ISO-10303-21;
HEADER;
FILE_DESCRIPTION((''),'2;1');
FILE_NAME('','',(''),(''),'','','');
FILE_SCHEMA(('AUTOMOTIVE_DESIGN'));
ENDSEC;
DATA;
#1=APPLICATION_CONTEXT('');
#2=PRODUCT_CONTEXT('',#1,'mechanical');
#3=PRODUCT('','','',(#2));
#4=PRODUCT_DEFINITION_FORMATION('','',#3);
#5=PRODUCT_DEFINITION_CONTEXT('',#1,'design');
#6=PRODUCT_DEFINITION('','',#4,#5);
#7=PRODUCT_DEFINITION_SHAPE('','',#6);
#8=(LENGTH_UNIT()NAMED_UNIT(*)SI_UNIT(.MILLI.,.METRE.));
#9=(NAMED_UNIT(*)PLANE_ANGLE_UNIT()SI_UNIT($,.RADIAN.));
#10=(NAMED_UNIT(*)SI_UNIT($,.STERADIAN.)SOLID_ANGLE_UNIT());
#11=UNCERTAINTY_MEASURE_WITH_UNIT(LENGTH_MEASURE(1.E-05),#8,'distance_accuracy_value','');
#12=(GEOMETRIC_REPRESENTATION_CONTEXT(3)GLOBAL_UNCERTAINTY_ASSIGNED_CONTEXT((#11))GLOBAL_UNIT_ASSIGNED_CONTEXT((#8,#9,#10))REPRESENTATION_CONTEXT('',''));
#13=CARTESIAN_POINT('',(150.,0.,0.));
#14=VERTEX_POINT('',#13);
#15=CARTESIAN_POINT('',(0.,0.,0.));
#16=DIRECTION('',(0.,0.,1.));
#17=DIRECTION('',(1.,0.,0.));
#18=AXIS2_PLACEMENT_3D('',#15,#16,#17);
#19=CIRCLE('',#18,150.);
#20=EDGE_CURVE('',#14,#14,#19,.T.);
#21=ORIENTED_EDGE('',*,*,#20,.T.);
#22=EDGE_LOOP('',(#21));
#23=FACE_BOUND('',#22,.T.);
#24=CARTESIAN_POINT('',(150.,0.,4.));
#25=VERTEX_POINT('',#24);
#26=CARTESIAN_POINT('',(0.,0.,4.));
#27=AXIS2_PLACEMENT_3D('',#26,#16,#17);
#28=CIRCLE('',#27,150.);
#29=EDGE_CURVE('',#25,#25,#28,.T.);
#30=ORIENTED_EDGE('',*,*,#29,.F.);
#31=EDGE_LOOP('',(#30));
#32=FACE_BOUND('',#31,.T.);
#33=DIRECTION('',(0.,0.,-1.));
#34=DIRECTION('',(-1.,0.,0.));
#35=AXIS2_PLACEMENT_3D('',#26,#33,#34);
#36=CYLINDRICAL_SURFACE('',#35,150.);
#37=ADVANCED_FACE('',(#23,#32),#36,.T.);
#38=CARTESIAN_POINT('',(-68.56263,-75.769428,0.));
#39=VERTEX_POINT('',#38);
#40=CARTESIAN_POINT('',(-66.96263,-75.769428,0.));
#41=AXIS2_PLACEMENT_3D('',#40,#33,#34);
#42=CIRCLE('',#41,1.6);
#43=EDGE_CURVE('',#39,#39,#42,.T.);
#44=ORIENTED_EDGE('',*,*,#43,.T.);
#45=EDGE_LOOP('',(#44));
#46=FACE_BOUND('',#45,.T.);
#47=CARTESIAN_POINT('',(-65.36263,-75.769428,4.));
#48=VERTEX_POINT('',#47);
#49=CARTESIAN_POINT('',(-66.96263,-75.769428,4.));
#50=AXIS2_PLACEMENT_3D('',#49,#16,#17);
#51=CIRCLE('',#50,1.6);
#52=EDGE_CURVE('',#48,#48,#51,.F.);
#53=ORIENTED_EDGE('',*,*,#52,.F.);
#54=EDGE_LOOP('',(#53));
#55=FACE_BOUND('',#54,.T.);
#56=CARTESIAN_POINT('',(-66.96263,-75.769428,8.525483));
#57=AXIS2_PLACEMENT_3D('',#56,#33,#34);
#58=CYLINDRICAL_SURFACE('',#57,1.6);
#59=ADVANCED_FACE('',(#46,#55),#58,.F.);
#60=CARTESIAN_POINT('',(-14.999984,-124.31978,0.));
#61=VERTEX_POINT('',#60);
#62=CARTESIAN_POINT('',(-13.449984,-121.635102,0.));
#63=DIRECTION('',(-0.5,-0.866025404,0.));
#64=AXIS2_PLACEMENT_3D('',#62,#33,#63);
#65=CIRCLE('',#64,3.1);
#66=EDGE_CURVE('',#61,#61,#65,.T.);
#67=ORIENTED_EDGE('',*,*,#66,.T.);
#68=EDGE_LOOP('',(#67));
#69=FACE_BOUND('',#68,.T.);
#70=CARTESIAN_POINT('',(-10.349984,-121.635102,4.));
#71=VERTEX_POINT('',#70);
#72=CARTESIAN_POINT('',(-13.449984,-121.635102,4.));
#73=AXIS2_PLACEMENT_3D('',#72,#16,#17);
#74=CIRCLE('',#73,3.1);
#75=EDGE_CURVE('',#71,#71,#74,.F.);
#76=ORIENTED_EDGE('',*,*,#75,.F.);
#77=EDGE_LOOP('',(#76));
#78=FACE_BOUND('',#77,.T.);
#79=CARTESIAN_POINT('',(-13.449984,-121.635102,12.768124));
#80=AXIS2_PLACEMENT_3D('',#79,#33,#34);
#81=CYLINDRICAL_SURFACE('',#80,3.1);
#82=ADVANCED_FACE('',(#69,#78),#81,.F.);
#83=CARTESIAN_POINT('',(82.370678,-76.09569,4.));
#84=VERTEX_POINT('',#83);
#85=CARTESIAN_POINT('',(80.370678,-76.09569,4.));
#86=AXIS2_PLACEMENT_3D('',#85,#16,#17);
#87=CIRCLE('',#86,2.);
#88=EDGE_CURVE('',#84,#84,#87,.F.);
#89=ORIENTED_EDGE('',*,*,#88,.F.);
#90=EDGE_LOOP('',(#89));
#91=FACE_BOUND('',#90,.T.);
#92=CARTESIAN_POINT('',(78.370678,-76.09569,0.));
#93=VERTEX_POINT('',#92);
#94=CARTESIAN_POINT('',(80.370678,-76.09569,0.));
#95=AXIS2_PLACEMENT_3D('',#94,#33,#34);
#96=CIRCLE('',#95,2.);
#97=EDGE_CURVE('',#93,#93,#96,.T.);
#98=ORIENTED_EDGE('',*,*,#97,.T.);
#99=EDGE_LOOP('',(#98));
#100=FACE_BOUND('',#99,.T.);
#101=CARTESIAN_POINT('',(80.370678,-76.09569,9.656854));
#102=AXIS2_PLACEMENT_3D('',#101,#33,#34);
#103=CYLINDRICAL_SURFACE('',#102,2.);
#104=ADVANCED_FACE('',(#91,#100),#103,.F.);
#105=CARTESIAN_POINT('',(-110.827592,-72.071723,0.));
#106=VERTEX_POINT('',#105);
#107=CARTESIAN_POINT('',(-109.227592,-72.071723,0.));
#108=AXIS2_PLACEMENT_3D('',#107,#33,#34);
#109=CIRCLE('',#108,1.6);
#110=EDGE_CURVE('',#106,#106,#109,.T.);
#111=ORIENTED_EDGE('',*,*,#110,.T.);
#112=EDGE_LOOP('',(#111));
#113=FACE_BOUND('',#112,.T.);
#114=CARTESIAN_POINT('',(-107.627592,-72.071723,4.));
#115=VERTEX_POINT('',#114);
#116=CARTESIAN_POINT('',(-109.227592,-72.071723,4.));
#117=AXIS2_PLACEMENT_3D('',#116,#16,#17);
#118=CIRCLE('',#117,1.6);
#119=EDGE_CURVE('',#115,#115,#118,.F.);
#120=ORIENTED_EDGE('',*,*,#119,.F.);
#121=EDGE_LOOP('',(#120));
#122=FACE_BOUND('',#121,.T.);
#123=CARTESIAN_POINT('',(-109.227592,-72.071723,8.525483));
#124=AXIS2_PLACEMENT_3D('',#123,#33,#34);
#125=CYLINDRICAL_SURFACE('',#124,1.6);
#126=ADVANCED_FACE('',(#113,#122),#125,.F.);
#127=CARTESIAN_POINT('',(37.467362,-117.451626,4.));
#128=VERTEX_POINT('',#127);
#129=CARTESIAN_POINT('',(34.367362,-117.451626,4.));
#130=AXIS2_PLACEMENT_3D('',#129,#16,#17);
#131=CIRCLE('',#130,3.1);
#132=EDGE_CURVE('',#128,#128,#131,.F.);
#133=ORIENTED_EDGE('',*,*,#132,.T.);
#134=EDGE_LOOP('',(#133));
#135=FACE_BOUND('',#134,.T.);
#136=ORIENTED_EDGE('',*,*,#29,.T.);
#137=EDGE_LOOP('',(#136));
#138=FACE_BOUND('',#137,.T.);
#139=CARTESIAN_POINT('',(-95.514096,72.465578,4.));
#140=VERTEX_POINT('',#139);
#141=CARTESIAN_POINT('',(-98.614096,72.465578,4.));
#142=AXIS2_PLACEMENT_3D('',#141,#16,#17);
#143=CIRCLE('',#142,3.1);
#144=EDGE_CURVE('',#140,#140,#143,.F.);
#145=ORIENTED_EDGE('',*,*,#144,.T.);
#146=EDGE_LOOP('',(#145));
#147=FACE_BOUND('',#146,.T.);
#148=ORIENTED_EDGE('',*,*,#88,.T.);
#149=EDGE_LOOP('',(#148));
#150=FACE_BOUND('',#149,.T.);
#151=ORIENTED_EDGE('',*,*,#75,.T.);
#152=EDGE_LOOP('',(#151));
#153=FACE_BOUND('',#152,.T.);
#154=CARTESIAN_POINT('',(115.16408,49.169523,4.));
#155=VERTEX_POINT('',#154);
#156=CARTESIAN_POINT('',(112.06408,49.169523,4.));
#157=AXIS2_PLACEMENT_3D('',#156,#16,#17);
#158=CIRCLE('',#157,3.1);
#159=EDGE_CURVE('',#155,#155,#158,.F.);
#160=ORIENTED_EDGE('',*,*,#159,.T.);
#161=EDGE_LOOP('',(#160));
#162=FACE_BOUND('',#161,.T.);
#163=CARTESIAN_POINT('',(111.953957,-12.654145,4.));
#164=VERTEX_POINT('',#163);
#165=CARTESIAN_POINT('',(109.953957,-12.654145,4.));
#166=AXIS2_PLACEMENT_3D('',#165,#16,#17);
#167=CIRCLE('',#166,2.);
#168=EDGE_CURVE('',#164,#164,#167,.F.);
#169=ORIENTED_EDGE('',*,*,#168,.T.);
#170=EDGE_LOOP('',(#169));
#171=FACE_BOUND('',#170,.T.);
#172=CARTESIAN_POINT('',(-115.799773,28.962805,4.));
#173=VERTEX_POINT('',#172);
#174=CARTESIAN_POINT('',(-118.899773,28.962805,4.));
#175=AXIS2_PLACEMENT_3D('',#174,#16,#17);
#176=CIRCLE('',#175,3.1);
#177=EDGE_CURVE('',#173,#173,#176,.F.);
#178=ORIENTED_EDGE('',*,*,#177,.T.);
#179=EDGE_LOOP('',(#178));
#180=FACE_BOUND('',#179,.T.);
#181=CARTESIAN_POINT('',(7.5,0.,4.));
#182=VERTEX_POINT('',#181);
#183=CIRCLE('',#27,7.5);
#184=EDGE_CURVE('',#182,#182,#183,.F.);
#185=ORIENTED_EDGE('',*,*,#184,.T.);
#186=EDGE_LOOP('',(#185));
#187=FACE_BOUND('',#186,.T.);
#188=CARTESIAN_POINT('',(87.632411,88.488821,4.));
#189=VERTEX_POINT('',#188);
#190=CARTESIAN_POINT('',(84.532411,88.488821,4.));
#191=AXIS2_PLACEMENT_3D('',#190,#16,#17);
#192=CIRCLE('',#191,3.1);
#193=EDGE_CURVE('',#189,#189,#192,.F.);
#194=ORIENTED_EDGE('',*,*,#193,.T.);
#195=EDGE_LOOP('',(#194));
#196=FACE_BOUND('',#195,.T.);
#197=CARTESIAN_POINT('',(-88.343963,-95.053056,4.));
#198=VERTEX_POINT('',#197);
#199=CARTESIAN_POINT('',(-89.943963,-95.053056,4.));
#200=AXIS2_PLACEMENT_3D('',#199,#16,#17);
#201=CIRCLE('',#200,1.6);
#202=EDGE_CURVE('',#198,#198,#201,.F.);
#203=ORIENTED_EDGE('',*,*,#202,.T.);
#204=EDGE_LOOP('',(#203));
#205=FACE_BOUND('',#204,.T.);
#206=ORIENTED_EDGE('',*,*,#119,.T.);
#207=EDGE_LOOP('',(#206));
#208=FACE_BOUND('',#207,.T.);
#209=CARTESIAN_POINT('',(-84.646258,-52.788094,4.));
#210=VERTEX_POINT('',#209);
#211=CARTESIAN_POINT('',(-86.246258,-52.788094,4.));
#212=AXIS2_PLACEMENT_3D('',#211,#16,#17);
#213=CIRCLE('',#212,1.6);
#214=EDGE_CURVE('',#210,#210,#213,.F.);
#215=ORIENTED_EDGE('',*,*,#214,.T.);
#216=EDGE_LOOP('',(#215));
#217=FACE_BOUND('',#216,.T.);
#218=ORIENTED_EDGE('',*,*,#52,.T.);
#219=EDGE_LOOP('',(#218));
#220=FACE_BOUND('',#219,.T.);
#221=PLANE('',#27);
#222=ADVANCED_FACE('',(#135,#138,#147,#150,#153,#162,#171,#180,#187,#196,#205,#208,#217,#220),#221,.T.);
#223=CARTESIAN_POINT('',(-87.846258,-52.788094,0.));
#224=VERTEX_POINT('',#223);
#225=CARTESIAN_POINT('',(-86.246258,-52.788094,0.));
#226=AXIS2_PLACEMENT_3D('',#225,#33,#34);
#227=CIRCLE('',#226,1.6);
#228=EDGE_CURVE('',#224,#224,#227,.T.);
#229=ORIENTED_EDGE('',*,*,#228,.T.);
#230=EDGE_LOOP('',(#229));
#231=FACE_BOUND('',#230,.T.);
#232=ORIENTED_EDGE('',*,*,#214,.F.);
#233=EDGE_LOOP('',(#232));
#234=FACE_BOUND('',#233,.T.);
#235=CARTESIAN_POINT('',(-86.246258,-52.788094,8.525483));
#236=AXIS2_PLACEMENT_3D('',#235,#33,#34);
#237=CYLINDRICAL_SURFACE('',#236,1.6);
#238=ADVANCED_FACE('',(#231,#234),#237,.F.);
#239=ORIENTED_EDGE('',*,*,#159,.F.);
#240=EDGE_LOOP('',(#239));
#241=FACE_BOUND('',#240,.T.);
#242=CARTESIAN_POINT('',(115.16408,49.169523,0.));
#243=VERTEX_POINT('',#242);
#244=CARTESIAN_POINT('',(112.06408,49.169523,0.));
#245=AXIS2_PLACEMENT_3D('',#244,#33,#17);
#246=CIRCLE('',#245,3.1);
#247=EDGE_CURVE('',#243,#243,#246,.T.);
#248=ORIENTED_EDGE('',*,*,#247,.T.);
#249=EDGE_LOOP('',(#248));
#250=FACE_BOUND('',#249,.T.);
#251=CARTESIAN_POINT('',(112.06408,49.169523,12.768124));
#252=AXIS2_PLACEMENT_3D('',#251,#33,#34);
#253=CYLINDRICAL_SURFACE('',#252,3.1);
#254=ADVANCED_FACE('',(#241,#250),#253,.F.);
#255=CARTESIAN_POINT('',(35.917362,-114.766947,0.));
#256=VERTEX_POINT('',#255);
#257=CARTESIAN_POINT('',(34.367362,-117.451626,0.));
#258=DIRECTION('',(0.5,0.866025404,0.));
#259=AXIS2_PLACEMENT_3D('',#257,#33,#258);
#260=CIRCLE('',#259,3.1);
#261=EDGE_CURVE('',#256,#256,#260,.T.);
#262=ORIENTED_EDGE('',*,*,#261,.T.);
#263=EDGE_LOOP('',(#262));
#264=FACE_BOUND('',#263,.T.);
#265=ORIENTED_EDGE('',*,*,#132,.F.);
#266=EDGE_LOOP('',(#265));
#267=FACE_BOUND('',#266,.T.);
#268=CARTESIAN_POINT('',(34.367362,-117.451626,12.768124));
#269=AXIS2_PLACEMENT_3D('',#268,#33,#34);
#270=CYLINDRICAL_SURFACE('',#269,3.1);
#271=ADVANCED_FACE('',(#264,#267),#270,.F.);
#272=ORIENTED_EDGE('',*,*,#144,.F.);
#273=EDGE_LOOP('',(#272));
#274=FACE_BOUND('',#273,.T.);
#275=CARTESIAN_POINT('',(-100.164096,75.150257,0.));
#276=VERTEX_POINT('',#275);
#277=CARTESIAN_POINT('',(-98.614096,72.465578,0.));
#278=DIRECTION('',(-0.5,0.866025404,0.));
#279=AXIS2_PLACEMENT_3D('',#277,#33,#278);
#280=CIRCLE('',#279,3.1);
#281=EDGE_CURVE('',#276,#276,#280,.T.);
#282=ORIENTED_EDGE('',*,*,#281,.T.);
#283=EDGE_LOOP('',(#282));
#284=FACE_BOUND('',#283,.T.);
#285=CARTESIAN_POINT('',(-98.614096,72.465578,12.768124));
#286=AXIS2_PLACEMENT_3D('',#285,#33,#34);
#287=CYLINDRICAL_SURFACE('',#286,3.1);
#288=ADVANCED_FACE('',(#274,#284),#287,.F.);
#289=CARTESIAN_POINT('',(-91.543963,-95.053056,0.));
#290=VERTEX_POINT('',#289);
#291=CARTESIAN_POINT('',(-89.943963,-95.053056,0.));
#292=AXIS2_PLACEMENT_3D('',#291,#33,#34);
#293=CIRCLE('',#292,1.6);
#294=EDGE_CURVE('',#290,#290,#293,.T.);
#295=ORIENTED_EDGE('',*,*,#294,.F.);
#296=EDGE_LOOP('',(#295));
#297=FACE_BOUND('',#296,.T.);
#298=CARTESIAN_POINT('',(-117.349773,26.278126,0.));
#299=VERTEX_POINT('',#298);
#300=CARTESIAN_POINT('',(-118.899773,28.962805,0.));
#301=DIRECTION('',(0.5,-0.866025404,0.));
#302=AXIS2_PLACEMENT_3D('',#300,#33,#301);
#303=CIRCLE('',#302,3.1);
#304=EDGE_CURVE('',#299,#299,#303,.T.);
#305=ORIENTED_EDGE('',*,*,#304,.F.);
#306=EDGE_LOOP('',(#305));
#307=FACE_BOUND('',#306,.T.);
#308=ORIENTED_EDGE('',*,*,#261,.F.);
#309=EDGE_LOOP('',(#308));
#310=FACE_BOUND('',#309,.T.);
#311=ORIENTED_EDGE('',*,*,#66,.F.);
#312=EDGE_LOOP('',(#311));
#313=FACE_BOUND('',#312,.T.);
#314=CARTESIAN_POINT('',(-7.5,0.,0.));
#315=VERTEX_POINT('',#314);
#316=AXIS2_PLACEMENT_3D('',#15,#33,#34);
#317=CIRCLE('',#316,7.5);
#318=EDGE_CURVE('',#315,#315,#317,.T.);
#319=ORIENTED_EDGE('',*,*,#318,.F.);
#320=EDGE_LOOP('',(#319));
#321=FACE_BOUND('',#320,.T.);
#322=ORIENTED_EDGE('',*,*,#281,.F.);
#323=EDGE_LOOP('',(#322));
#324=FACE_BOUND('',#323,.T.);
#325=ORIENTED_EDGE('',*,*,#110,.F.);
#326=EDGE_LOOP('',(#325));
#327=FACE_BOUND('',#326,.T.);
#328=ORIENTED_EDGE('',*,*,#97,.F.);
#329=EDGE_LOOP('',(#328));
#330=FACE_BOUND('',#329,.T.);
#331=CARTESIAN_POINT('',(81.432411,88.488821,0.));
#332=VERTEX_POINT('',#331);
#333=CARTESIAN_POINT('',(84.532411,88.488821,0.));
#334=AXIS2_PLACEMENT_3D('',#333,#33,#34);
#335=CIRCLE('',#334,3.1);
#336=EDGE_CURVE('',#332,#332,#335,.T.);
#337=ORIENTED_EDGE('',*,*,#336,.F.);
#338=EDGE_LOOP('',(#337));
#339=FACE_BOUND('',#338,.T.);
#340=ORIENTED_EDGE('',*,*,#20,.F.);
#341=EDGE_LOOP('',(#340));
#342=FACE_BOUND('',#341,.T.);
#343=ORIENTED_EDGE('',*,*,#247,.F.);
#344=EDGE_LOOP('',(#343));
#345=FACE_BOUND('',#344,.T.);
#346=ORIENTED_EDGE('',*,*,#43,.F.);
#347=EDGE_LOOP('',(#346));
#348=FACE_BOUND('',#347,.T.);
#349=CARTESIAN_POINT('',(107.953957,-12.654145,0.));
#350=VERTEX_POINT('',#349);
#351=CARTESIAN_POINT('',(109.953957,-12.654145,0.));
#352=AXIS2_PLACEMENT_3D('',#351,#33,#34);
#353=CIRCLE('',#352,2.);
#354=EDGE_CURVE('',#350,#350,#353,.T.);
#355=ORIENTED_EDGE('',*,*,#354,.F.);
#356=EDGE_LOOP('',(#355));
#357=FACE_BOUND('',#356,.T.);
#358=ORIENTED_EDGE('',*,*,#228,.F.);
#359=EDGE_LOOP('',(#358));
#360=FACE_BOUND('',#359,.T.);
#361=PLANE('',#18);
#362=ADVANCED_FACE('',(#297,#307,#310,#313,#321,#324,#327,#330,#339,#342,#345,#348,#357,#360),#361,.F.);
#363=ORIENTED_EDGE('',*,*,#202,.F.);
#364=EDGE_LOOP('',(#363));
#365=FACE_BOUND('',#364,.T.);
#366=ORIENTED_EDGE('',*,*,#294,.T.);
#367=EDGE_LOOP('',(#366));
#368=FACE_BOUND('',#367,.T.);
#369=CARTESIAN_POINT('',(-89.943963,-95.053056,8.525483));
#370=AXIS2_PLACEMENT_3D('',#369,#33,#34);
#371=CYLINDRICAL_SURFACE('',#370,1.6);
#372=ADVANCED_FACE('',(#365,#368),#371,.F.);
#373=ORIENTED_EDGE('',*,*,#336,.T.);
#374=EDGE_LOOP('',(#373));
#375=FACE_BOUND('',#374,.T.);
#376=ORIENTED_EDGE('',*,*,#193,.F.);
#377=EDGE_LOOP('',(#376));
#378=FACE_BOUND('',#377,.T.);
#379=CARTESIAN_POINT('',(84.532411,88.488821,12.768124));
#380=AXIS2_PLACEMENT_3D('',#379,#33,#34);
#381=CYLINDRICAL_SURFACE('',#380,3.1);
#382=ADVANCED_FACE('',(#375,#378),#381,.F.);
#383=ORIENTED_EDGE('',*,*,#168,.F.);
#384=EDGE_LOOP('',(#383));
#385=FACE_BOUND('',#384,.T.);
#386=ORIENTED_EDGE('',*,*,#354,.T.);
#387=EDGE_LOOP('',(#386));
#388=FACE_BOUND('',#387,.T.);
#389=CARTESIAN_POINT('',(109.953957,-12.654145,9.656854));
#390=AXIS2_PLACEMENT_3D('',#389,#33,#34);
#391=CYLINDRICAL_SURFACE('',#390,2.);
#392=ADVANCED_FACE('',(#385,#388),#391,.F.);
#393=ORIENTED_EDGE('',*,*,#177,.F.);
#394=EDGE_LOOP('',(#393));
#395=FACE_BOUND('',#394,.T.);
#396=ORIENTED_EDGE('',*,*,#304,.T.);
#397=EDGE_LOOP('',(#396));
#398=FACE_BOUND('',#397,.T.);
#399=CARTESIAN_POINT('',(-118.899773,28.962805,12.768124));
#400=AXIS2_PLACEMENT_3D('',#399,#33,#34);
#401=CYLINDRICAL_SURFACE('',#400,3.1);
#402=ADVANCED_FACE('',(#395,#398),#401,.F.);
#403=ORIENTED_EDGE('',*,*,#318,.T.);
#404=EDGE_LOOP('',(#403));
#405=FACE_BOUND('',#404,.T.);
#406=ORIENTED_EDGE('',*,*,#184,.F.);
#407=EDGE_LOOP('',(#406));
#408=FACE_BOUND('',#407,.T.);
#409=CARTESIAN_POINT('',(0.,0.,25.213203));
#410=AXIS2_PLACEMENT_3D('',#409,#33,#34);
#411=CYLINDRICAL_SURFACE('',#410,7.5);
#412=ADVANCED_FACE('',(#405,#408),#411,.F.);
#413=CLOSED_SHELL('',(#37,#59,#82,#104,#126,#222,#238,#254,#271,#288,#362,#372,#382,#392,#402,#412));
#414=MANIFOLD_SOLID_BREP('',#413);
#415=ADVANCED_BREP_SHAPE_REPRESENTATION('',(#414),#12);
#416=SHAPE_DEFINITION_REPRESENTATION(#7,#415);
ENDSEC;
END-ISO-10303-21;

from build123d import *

# Parameters (mm, degrees)
SKETCH1_R           = 150
BOSS_EXTRUDE1_DEPTH = 4
SKETCH2_R           = 3.1
CUT_EXTRUDE1_DEPTH  = 4
CIRPATTERN1_COUNT   = 3
SKETCH3_R           = 2
CUT_EXTRUDE2_DEPTH  = 4
SKETCH4_R           = 7.5
CUT_EXTRUDE3_DEPTH  = 4
SKETCH6_R           = 1.6
CUT_EXTRUDE5_DEPTH  = 4


with BuildPart() as part:
    # Sketch1 → Boss-Extrude1 (new body)
    with BuildSketch(Plane.XY):
        Circle(SKETCH1_R)
    extrude(amount=BOSS_EXTRUDE1_DEPTH)

    # Sketch2 → Cut-Extrude1 (cut)
    with BuildSketch(Plane(origin=(0, 0, 0), x_dir=(-1, 0, 0), z_dir=(0, 0, -1))):
        with Locations((-84.532410842, 88.488821425)):
            Circle(SKETCH2_R)
        with Locations(Location((-112.064079787, 49.169523299, 0), (0, 0, 180))):
            Circle(SKETCH2_R)
    cut_extrude1 = extrude(amount=-CUT_EXTRUDE1_DEPTH, mode=Mode.SUBTRACT)

    # CirPattern1: Cut-Extrude1 ×3 about axis
    cirpattern1_axis = Axis((0, 0, 0), (0, 0, 1))
    for i in range(1, CIRPATTERN1_COUNT):
        add(cut_extrude1.rotate(cirpattern1_axis, i * 360 / CIRPATTERN1_COUNT), mode=Mode.SUBTRACT)

    # Sketch3 → Cut-Extrude2 (cut)
    with BuildSketch(Plane(origin=(0, 0, 0), x_dir=(-1, 0, 0), z_dir=(0, 0, -1))):
        with Locations((-109.9539568, -12.654144936)):
            Circle(SKETCH3_R)
        with Locations((-80.370678478, -76.095690029)):
            Circle(SKETCH3_R)
    extrude(amount=-CUT_EXTRUDE2_DEPTH, mode=Mode.SUBTRACT)

    # Sketch4 → Cut-Extrude3 (cut)
    with BuildSketch(Plane(origin=(0, 0, 0), x_dir=(-1, 0, 0), z_dir=(0, 0, -1))):
        Circle(SKETCH4_R)
    extrude(amount=-CUT_EXTRUDE3_DEPTH, mode=Mode.SUBTRACT)

    # Sketch6 → Cut-Extrude5 (cut)
    with BuildSketch(Plane(origin=(0, 0, 0), x_dir=(-1, 0, 0), z_dir=(0, 0, -1))):
        with Locations((66.962630167, -75.769427615)):
            Circle(SKETCH6_R)
        with Locations((89.94396346, -95.053055906)):
            Circle(SKETCH6_R)
        with Locations((109.227591751, -72.071722612)):
            Circle(SKETCH6_R)
        with Locations((86.246258457, -52.788094322)):
            Circle(SKETCH6_R)
    extrude(amount=-CUT_EXTRUDE5_DEPTH, mode=Mode.SUBTRACT)


solid = part.part
